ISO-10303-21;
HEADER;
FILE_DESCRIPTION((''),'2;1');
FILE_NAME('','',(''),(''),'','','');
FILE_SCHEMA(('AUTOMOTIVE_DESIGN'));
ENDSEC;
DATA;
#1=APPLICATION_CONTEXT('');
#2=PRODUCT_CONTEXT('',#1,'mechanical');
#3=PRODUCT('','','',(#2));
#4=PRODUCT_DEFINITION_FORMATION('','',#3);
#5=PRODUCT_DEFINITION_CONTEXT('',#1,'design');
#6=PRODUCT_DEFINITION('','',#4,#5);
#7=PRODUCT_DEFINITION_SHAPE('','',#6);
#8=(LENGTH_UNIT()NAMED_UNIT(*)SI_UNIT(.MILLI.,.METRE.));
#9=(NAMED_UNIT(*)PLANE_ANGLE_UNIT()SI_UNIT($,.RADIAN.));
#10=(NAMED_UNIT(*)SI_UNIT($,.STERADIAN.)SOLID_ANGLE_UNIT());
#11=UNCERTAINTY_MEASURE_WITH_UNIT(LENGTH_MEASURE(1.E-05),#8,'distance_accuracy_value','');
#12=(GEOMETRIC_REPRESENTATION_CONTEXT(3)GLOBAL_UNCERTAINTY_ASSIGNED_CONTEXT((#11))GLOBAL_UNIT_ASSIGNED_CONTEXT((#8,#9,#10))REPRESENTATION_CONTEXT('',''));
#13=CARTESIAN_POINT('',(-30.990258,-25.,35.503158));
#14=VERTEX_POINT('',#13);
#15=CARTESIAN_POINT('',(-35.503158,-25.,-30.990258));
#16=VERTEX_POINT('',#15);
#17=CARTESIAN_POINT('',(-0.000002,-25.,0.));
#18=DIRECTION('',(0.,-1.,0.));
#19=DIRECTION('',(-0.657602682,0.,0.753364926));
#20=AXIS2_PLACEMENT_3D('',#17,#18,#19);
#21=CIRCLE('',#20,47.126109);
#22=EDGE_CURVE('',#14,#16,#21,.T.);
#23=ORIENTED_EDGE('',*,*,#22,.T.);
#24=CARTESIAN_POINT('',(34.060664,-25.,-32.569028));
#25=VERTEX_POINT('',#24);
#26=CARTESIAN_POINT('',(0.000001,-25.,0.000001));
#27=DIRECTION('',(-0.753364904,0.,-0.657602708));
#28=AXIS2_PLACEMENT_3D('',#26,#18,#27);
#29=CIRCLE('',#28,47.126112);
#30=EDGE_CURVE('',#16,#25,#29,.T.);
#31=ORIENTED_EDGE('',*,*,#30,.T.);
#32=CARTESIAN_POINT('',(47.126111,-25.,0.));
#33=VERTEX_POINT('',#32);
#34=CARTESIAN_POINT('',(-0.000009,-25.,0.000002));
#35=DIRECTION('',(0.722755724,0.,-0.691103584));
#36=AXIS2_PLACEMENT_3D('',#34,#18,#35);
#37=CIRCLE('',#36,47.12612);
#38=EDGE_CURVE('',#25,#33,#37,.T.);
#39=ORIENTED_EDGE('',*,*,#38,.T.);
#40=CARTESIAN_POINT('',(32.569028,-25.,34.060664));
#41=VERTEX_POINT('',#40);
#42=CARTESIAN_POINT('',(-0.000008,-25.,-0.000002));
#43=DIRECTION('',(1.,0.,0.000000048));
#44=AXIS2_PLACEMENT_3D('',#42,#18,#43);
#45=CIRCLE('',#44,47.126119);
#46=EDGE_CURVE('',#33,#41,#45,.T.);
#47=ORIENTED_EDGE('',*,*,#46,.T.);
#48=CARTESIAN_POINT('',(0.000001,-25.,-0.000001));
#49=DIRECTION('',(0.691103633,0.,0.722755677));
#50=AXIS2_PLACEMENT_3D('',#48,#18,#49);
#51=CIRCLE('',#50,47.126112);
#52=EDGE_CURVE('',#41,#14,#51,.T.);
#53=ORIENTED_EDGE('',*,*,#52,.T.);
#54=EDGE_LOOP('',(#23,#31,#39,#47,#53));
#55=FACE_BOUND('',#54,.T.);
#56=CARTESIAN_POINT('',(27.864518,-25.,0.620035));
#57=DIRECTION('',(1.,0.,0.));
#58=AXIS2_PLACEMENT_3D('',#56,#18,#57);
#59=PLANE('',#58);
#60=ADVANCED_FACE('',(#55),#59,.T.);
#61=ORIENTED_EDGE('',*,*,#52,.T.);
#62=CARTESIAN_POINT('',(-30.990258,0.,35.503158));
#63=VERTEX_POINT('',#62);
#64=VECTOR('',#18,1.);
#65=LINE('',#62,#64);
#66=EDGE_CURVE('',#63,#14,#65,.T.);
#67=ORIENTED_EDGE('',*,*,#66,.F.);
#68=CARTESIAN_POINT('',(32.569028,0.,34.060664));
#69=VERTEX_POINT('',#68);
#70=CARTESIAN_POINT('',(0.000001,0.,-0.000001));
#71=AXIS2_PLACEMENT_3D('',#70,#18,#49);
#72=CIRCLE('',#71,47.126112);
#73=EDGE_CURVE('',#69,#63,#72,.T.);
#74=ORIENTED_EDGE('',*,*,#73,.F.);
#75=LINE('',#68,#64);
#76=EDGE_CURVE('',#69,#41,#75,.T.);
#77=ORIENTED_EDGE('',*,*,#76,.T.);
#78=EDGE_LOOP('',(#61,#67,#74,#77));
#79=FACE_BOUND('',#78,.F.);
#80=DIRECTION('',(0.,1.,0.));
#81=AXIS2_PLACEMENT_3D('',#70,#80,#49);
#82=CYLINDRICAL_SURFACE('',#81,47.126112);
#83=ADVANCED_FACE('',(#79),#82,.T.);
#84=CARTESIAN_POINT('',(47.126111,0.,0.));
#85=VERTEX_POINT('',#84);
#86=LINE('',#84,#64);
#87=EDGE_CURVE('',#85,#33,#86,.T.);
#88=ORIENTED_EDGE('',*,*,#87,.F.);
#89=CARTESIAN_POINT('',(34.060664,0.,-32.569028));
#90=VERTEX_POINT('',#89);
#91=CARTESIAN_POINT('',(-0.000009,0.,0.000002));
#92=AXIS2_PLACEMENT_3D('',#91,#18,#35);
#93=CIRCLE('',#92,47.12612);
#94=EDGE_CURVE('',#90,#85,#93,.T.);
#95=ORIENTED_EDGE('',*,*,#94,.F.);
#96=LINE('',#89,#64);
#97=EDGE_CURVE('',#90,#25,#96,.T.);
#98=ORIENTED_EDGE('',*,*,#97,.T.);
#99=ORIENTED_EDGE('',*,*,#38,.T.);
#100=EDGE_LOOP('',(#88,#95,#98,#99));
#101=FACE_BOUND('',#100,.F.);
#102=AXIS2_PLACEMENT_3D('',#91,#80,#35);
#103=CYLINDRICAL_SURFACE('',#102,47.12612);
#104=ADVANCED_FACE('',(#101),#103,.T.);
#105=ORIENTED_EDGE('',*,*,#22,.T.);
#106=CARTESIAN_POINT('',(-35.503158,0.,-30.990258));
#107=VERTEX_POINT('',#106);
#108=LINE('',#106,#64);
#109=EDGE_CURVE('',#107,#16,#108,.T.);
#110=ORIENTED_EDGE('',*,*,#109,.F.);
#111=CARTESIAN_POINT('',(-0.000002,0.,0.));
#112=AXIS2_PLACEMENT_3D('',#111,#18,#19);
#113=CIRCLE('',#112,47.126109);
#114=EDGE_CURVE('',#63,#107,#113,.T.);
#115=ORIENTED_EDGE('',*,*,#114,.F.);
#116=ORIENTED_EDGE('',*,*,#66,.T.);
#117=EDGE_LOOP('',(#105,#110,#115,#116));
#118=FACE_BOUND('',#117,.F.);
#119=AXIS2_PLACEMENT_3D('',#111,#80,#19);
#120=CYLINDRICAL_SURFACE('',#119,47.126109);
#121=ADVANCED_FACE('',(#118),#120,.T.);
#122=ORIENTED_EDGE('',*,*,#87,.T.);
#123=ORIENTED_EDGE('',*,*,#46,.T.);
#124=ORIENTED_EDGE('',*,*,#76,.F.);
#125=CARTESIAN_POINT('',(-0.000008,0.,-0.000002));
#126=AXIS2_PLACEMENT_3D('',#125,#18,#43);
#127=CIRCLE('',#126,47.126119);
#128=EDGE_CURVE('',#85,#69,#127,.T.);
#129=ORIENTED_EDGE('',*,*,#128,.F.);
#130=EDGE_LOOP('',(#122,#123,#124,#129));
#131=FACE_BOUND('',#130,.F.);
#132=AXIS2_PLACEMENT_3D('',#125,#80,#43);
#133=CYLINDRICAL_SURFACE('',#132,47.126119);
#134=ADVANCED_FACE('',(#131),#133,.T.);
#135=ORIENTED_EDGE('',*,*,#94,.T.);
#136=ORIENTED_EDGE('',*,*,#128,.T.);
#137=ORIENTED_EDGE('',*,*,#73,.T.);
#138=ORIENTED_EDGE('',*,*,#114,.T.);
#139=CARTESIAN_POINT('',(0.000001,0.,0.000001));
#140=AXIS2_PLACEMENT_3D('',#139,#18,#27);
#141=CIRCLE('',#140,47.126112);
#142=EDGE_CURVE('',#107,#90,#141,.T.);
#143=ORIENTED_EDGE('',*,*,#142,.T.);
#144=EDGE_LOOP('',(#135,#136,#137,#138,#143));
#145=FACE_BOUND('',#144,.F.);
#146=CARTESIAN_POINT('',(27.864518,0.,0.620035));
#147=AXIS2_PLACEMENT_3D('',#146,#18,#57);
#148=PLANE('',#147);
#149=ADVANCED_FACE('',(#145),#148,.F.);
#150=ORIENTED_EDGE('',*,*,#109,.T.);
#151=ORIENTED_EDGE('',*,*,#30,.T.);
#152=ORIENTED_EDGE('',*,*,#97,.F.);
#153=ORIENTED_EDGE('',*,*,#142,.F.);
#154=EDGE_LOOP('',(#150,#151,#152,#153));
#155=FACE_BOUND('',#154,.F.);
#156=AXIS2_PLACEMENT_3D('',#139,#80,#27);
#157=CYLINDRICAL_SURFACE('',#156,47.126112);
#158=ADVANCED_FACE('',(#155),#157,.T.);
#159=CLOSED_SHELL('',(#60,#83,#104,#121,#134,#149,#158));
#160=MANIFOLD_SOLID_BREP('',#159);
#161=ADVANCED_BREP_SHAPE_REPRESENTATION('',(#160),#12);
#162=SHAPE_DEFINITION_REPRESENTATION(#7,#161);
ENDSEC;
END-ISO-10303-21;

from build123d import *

# Parameters (mm, degrees)
F1_DEPTH = 25


with BuildPart() as f1:
    # F0 (on Front) → F1 (new body)
    with BuildSketch(Plane.XZ):
        with BuildLine():
            ThreePointArc((34.060664, -32.569028), (43.737952, -17.545993), (47.126111, 0))
            ThreePointArc((47.126111, 0), (43.334293, 18.520512), (32.569028, 34.060664))
            Line((32.569028, 34.060664), (0, 0))
            Line((0, 0), (34.060664, -32.569028))
        make_face()
        with BuildLine():
            Line((0, 0), (32.569028, 34.060664))
            ThreePointArc((32.569028, 34.060664), (1.069264, 47.113979), (-30.990258, 35.503158))
            Line((-30.990258, 35.503158), (0, 0))
        make_face()
        with BuildLine():
            ThreePointArc((-35.503158, -30.990258), (-1.069264, -47.113979), (34.060664, -32.569028))
            Line((34.060664, -32.569028), (0, 0))
            Line((0, 0), (-35.503158, -30.990258))
        make_face()
        with BuildLine():
            Line((0, 0), (-30.990258, 35.503158))
            ThreePointArc((-30.990258, 35.503158), (-47.017946, 3.191102), (-35.503158, -30.990258))
            Line((-35.503158, -30.990258), (0, 0))
        make_face()
    extrude(amount=F1_DEPTH)


solid = f1.part
